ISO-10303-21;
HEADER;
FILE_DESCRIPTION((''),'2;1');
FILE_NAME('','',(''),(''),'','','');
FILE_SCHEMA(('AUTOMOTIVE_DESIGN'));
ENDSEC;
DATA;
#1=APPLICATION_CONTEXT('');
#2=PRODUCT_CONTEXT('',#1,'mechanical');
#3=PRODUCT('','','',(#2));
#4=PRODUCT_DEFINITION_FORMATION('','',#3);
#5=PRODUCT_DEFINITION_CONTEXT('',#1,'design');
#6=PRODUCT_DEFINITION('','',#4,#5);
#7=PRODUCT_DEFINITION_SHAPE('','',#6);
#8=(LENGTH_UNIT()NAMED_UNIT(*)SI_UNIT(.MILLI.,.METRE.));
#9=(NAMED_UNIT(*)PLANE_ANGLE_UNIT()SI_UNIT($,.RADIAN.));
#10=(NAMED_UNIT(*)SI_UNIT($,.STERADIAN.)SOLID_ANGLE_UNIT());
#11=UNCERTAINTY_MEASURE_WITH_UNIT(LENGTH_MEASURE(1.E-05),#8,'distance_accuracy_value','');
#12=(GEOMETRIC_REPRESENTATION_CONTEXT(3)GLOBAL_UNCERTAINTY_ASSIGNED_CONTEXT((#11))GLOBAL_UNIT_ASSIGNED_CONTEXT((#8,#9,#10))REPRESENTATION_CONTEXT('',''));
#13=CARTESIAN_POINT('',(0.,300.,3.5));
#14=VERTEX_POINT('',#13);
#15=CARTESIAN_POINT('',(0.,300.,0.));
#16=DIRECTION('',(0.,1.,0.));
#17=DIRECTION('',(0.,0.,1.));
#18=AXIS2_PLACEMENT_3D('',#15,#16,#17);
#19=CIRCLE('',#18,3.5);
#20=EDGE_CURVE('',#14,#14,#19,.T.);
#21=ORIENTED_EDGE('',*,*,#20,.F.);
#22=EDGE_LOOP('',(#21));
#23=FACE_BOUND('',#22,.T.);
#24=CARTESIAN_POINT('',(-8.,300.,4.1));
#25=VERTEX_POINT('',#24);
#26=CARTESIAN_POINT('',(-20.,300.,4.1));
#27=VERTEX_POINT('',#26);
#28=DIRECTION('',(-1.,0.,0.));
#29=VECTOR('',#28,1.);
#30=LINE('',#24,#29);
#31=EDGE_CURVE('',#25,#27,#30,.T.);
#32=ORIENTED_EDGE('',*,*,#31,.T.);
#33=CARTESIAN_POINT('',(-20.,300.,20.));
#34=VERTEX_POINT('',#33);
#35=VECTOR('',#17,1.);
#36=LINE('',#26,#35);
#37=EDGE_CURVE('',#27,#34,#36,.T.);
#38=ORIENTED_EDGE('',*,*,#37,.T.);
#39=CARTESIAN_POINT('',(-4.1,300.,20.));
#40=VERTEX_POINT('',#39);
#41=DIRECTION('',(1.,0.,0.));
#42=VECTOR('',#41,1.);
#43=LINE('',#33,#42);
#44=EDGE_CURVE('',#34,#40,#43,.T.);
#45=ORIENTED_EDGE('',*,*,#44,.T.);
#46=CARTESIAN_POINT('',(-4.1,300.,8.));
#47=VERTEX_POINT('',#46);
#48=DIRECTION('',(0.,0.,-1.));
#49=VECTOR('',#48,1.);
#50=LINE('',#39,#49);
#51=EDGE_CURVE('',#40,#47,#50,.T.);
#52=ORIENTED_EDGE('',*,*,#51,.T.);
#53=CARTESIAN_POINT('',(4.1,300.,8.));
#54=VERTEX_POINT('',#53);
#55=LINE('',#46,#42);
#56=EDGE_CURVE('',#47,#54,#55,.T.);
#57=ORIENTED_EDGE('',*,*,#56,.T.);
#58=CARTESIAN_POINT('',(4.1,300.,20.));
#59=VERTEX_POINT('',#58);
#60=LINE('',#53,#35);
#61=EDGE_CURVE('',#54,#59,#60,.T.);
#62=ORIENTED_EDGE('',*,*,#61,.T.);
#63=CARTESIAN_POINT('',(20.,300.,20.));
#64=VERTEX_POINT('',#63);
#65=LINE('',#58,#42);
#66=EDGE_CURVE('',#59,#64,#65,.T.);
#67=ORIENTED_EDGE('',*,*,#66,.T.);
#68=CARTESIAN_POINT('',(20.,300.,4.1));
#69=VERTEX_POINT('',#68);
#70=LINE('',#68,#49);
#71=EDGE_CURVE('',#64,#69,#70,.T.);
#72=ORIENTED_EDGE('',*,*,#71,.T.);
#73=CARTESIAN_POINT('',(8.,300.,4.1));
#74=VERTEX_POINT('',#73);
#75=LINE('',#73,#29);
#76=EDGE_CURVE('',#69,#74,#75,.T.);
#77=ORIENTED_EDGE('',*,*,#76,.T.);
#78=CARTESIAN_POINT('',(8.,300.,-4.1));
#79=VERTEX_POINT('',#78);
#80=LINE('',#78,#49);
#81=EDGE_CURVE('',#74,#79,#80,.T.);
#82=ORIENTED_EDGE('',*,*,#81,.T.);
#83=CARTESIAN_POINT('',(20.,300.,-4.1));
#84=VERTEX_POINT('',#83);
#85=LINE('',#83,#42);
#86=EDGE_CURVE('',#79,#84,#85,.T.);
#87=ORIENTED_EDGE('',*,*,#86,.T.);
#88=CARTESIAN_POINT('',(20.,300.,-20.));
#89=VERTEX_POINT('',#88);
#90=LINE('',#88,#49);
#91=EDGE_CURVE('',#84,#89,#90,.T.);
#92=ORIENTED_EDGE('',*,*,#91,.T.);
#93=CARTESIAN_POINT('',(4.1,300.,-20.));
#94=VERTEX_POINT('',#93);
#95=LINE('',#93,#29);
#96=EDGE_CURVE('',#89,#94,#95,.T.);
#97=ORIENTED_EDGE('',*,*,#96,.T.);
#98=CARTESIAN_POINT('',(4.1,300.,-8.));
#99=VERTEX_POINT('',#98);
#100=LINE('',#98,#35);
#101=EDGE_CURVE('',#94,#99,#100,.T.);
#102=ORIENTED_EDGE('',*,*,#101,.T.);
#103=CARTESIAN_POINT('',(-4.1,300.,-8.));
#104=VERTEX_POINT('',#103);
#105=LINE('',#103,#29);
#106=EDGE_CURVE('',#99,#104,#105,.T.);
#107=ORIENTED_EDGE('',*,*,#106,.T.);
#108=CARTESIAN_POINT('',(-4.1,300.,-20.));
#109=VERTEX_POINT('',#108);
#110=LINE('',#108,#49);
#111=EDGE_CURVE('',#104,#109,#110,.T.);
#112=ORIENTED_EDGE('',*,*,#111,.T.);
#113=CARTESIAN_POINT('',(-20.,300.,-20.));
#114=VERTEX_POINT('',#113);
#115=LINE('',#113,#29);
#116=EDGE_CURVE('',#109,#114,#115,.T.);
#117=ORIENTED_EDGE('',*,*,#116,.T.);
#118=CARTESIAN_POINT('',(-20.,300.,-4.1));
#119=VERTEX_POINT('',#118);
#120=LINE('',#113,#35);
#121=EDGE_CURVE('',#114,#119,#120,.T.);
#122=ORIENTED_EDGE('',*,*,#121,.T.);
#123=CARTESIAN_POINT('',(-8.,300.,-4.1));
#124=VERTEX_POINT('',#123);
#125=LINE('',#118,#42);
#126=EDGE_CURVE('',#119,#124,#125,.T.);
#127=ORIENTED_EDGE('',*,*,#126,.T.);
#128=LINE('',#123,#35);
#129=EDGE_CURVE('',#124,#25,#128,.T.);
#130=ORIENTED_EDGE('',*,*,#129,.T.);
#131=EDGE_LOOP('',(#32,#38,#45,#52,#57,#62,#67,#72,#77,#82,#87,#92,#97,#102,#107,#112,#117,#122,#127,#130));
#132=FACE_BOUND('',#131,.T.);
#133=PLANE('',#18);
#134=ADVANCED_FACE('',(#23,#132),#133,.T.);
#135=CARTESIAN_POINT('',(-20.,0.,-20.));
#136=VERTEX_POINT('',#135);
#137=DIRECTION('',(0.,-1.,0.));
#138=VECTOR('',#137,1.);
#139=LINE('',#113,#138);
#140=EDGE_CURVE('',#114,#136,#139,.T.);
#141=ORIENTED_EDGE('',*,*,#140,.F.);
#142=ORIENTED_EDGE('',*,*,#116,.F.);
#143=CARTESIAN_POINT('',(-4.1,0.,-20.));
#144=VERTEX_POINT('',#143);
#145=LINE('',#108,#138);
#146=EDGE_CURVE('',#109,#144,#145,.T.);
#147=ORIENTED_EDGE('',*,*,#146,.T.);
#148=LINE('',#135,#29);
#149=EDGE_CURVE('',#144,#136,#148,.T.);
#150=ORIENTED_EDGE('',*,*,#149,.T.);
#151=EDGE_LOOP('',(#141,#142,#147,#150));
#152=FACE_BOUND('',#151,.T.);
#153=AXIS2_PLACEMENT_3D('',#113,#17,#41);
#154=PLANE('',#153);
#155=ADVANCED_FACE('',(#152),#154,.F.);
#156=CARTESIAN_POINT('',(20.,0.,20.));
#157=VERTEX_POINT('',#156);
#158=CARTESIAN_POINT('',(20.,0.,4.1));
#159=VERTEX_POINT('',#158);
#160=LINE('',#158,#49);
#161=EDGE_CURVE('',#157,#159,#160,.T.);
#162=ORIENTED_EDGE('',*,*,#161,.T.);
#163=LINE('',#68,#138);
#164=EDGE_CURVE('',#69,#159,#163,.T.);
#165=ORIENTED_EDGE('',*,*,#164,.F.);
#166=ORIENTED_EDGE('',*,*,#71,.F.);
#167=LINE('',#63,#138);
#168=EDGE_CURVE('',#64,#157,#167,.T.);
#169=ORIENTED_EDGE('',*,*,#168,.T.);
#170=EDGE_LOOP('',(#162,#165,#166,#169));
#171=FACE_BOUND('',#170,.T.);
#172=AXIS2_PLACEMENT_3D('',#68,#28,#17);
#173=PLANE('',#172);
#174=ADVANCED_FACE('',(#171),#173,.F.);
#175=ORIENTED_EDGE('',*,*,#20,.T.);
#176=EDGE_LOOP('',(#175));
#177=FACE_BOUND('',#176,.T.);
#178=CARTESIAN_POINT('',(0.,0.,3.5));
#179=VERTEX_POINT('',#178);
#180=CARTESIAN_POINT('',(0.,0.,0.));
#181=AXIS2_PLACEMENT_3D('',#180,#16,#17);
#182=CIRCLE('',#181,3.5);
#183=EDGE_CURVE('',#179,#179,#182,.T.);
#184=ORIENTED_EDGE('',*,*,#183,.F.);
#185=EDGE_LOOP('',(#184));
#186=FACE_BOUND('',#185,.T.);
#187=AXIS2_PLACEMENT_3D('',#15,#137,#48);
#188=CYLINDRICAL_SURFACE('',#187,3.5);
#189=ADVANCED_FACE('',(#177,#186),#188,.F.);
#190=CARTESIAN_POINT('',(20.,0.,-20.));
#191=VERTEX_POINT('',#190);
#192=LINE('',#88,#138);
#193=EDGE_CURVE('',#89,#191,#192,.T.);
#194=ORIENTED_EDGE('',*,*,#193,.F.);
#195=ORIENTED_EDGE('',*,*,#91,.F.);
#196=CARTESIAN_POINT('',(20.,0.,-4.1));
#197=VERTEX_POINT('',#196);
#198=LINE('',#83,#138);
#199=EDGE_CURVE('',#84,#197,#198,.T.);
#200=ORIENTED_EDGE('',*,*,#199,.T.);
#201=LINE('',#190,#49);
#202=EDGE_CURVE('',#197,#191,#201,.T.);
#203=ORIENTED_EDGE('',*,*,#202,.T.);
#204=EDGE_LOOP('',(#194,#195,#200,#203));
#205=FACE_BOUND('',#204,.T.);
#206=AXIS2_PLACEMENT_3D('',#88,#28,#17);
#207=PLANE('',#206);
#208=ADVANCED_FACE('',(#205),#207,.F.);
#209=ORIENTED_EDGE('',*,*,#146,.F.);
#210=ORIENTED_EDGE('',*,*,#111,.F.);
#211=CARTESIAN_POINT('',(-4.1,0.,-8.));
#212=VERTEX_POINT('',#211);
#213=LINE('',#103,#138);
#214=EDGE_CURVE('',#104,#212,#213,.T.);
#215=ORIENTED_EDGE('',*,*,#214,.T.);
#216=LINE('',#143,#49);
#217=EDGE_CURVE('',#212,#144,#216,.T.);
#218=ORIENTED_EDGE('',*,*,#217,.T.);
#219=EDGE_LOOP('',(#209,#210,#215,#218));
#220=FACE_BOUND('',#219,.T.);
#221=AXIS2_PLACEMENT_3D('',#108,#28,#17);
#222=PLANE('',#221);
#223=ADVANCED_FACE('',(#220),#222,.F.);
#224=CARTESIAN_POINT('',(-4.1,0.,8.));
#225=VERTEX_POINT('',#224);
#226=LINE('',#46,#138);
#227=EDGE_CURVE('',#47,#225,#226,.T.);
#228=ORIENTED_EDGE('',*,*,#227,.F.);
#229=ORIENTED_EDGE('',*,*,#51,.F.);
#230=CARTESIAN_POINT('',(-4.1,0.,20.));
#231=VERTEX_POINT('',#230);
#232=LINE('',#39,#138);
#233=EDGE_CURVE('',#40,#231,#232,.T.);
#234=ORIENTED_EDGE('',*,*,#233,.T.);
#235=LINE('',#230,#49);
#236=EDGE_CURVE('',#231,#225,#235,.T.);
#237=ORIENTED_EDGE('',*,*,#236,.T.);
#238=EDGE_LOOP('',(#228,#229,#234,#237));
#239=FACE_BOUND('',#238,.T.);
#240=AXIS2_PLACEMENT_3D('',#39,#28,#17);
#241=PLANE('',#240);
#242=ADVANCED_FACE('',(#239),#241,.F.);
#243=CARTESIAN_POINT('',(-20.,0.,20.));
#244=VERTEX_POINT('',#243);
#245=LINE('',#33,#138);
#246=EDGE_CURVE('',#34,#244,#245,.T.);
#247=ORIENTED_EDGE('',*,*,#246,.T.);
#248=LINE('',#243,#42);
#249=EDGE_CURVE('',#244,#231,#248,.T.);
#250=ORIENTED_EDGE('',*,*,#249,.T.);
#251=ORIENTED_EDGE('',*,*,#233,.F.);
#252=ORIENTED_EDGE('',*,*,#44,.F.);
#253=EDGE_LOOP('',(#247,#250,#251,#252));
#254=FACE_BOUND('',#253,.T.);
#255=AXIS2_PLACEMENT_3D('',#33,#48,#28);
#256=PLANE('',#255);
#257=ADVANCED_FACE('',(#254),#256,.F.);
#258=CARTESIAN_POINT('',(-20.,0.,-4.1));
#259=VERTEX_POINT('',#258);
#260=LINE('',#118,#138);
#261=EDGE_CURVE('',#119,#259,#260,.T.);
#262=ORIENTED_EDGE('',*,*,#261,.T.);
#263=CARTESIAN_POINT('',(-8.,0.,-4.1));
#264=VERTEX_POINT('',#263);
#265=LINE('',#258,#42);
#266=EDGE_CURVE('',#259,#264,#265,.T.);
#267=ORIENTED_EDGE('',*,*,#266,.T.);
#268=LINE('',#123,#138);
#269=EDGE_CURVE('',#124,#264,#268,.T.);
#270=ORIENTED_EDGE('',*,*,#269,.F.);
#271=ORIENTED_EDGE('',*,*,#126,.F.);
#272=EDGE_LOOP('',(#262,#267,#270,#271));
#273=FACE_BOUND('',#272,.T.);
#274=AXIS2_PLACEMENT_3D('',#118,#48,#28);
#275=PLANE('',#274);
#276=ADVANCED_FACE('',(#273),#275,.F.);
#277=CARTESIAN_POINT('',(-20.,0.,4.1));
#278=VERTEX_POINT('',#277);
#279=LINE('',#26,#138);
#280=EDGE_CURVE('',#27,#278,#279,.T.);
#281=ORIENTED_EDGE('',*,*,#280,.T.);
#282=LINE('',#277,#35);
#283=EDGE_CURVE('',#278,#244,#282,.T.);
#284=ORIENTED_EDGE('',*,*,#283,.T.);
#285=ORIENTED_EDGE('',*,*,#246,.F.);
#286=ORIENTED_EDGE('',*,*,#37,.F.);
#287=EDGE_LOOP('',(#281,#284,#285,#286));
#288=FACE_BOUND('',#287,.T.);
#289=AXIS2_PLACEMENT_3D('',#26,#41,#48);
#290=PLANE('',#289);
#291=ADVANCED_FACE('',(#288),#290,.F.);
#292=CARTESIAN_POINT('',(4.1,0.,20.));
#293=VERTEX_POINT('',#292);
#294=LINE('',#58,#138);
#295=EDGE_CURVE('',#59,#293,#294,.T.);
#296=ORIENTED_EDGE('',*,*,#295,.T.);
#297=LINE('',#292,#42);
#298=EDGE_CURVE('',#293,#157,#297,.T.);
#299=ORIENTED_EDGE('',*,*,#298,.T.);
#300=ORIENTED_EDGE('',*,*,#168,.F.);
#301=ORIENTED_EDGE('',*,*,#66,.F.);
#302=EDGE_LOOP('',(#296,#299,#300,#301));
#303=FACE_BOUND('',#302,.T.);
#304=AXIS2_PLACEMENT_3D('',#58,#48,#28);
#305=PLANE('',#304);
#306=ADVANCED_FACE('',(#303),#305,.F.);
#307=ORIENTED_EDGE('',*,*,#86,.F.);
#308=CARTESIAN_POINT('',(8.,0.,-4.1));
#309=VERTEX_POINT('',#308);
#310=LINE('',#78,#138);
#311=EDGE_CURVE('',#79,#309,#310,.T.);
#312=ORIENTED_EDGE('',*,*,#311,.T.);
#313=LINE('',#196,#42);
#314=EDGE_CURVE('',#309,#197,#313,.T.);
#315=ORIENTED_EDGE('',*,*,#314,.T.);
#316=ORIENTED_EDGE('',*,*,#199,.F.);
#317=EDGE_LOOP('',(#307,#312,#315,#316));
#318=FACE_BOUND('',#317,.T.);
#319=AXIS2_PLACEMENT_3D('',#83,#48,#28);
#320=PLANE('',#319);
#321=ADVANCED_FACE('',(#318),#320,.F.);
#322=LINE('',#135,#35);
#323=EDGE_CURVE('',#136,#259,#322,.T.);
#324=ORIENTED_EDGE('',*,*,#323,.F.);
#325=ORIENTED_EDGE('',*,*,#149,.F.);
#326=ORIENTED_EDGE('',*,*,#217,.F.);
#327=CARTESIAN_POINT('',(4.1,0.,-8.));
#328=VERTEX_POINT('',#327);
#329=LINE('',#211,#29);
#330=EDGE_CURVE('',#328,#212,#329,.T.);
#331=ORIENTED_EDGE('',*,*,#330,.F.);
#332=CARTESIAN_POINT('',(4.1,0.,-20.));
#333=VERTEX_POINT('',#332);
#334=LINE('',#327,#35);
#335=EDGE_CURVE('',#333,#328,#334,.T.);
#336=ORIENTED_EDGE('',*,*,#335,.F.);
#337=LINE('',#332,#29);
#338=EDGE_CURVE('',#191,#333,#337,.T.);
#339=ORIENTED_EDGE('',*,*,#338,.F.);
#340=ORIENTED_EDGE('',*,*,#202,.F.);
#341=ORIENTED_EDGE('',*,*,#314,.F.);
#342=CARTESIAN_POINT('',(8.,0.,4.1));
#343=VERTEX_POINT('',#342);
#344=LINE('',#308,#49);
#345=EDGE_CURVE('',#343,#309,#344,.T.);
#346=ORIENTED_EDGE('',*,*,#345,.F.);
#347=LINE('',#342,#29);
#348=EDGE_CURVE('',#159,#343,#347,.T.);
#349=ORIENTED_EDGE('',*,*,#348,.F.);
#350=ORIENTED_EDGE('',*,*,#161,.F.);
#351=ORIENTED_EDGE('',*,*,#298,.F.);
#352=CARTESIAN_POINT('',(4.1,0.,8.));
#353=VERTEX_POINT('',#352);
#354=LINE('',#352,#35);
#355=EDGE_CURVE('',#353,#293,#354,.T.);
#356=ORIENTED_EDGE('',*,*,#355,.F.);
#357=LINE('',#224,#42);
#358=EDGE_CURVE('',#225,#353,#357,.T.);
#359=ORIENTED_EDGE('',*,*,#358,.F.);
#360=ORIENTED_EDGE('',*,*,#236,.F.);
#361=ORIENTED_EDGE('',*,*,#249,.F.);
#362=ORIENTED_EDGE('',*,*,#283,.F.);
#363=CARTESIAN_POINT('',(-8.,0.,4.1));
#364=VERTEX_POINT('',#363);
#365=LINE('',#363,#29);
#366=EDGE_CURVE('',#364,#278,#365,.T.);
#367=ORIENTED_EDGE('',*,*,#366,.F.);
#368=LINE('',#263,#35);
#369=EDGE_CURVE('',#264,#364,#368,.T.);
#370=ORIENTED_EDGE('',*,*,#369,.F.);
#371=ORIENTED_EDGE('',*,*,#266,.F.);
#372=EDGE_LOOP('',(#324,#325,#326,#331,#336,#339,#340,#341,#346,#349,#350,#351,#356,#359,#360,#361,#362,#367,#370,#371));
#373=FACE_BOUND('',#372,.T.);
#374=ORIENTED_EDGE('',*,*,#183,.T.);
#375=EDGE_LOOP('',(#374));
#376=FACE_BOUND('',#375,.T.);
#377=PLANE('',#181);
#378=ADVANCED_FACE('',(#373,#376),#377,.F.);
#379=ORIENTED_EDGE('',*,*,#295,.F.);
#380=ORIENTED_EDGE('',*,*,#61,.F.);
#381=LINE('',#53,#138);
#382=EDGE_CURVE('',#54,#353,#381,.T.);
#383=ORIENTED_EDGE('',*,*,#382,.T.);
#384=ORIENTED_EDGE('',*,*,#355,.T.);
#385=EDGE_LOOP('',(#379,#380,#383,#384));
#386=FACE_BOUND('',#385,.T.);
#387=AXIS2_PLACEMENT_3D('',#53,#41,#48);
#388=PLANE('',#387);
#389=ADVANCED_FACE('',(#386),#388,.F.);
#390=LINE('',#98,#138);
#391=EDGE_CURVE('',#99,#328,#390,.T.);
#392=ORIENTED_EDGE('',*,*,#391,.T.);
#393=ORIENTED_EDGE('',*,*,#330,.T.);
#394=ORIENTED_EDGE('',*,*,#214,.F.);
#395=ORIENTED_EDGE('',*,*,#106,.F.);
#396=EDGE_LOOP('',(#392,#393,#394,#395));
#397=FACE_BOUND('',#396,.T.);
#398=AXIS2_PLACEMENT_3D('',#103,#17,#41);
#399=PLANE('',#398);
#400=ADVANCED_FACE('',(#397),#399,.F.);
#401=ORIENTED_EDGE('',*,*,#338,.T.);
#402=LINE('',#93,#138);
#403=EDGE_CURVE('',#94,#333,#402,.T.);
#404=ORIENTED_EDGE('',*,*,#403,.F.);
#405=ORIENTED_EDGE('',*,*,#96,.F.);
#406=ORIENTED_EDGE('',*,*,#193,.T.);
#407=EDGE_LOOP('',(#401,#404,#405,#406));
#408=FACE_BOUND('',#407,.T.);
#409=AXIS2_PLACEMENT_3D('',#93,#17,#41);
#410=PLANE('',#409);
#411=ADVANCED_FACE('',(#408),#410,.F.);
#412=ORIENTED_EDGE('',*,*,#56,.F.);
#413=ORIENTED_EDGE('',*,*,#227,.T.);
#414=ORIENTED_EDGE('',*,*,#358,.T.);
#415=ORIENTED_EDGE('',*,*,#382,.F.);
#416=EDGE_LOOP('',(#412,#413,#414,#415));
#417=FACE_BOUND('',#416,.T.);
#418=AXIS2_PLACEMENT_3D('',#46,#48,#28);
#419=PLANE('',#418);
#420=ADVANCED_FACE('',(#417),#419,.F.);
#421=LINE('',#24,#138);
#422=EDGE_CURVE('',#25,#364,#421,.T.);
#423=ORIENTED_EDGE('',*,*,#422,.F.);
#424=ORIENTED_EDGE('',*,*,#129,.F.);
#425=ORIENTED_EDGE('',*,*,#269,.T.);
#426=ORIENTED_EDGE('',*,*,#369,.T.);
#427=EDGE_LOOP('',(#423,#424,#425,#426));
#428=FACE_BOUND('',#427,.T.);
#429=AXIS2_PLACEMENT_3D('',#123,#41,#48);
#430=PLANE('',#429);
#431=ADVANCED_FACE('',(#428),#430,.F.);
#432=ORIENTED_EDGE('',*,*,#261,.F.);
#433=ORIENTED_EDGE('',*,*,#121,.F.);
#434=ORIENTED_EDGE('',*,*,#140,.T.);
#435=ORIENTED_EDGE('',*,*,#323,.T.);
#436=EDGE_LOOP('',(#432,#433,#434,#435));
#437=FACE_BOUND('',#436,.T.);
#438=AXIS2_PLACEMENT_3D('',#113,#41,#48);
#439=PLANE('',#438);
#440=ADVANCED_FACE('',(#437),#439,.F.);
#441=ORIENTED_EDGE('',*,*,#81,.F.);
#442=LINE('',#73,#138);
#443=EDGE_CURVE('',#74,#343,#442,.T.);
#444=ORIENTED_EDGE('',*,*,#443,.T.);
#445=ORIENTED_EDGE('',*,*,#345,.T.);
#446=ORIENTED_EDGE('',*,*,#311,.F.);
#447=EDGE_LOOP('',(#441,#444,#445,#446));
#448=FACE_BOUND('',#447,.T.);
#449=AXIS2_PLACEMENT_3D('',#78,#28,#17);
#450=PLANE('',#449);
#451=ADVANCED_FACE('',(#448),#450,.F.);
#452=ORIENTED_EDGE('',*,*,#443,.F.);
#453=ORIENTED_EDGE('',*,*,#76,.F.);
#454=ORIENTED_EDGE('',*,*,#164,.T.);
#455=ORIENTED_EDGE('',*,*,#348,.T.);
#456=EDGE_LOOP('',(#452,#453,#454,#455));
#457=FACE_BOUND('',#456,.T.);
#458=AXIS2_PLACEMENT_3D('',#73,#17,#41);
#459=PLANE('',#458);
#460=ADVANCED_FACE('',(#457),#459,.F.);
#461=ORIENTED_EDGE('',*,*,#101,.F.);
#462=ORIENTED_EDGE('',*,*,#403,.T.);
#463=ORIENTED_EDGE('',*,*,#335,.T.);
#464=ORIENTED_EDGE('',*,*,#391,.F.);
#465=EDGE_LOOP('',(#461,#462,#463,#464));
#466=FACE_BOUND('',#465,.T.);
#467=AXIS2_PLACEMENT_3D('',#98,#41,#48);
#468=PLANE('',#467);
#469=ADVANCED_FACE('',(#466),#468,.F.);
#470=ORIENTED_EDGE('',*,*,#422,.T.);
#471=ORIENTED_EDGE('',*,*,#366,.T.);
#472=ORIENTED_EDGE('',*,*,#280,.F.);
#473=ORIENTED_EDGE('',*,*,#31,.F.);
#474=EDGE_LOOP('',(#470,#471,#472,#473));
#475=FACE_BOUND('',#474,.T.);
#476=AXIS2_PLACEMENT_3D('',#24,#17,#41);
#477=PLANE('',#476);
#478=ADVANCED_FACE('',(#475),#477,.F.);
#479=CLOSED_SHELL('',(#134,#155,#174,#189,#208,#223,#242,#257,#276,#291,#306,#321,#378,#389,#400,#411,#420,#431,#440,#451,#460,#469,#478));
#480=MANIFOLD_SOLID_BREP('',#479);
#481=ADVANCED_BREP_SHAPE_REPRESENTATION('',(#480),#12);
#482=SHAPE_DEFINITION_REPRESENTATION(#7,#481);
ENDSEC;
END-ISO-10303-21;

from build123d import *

# Parameters (mm, degrees)
SKIZZE1_R                       = 3.5
AUFSATZ_LINEAR_AUSTRAGEN1_DEPTH = 300


with BuildPart() as part:
    # Skizze1 → Aufsatz-Linear austragen1 (new body)
    with BuildSketch(Plane(origin=(0, 0, 0), x_dir=(1, 0, 0), z_dir=(0, 1, 0))):
        Polygon((-4.1, -20), (-4.1, -8), (4.1, -8), (4.1, -20), (20, -20), (20, -4.1), (8, -4.1), (8, 4.1), (20, 4.1), (20, 20), (4.1, 20), (4.1, 8), (-4.1, 8), (-4.1, 20), (-20, 20), (-20, 4.1), (-8, 4.1), (-8, -4.1), (-20, -4.1), (-20, -20), align=None)
        with Locations(Location((0, 0, 0), (0, 0, 270))):
            Circle(SKIZZE1_R, mode=Mode.SUBTRACT)
    extrude(amount=AUFSATZ_LINEAR_AUSTRAGEN1_DEPTH)


solid = part.part
